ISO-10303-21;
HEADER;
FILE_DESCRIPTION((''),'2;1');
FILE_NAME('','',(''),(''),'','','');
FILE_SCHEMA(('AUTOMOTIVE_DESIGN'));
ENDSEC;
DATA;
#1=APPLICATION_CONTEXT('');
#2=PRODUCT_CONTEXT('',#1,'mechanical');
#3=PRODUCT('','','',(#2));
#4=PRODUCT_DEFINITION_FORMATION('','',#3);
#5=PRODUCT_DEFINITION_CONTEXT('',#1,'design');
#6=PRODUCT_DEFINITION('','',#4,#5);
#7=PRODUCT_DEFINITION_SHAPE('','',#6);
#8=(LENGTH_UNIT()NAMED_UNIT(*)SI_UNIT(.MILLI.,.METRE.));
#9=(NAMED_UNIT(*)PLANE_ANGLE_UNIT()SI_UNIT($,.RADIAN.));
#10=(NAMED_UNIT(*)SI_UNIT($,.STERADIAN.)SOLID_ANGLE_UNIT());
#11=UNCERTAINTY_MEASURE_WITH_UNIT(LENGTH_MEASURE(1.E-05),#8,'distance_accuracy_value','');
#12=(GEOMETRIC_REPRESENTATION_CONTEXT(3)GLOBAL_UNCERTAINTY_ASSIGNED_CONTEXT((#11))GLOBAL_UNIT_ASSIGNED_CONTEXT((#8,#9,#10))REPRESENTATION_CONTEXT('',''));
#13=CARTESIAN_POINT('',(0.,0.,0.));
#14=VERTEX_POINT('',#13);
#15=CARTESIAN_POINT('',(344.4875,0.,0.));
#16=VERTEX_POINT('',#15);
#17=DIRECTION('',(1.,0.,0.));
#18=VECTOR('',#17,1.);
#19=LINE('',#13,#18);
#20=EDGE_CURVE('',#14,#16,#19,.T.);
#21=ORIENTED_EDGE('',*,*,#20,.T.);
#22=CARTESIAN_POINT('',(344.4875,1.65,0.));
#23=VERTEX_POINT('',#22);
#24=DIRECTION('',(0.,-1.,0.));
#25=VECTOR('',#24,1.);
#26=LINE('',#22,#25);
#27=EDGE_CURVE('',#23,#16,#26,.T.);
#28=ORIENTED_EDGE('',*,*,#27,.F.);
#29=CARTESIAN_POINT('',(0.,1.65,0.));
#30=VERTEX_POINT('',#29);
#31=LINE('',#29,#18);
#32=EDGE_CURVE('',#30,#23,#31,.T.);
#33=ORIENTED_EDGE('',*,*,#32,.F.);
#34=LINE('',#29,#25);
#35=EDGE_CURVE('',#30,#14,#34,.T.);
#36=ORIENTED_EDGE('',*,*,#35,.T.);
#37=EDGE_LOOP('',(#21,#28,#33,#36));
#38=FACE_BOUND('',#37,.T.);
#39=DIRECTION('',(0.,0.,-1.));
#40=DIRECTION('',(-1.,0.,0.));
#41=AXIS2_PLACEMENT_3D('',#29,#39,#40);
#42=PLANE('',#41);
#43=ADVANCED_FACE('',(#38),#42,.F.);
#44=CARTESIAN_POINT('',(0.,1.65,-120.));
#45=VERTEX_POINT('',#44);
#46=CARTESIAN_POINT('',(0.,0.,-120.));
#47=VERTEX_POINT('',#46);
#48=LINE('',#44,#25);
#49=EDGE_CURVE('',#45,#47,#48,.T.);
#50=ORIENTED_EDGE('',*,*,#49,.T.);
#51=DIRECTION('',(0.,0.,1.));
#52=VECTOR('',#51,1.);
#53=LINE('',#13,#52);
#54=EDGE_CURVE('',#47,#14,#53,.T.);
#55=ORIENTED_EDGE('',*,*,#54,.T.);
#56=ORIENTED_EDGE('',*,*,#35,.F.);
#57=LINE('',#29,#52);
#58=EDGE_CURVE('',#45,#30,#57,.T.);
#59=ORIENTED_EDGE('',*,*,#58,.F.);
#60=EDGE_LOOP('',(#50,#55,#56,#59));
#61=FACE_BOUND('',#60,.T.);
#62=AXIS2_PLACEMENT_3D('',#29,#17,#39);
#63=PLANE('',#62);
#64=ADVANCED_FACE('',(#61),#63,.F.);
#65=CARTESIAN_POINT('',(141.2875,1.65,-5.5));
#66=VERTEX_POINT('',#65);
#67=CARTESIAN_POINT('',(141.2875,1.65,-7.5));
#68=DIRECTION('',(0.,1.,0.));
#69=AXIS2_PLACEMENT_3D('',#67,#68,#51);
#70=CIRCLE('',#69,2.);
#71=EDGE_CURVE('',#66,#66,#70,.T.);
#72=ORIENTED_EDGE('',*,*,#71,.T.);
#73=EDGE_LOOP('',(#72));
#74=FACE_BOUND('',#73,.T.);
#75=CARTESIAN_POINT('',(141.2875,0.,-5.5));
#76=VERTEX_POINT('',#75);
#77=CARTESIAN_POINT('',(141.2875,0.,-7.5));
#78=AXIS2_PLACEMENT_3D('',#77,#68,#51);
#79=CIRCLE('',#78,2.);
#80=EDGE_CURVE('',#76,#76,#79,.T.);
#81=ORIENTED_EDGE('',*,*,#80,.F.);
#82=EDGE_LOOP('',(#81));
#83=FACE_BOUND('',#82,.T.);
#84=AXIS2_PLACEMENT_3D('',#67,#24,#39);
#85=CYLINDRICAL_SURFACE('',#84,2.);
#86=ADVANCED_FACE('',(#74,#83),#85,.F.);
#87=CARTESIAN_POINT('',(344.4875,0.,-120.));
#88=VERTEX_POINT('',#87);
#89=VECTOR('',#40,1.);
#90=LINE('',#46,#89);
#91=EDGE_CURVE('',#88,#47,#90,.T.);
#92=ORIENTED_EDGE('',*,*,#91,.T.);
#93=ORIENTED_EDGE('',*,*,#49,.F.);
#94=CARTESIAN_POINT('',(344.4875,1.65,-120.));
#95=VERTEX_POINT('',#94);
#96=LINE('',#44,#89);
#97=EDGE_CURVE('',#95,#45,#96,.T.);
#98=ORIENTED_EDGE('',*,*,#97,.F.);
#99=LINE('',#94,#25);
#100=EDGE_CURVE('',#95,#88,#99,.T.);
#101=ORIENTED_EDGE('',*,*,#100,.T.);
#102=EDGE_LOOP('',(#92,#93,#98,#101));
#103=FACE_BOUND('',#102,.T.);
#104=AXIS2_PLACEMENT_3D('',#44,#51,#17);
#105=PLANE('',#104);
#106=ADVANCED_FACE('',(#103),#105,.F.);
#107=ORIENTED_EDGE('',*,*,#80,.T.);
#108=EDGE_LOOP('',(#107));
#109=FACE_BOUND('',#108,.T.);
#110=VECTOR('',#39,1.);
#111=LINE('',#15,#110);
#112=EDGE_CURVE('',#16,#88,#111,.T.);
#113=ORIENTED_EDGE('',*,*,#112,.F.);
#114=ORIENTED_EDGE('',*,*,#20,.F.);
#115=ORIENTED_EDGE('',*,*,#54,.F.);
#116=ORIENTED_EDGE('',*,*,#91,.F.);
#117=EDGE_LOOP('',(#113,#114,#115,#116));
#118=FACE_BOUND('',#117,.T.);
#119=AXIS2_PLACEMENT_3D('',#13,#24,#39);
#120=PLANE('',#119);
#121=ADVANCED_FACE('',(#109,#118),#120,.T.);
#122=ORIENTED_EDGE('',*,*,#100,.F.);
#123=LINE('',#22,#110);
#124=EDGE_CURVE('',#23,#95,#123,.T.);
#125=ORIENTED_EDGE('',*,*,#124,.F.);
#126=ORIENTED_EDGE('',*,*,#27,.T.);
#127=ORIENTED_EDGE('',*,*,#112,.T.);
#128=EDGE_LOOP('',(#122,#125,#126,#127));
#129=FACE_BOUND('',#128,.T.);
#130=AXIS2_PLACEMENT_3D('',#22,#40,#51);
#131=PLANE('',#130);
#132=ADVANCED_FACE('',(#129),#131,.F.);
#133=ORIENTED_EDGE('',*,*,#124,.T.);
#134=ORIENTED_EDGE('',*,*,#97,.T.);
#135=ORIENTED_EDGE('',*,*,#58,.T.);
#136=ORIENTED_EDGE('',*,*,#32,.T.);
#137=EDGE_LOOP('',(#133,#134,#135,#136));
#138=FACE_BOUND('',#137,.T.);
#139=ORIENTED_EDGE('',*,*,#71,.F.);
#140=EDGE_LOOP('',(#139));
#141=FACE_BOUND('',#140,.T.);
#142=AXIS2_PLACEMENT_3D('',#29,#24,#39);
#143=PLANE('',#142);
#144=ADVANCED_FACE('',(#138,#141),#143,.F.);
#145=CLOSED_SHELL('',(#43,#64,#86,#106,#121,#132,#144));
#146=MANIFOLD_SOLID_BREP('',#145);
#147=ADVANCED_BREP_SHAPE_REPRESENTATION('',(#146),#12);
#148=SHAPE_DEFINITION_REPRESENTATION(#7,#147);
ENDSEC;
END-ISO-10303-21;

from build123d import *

# Parameters (mm, degrees)
SKETCH1_W           = 344.4875
SKETCH1_H           = 120
SKETCH1_R           = 2
BOSS_EXTRUDE1_DEPTH = 1.65


with BuildPart() as part:
    # Sketch1 → Boss-Extrude1 (new body)
    with BuildSketch(Plane(origin=(0, 0, 0), x_dir=(1, 0, 0), z_dir=(0, 1, 0))):
        with Locations((172.24375, 60)):
            Rectangle(SKETCH1_W, SKETCH1_H)
        with Locations((141.2875, 7.5)):
            Circle(SKETCH1_R, mode=Mode.SUBTRACT)
    extrude(amount=BOSS_EXTRUDE1_DEPTH)


solid = part.part
